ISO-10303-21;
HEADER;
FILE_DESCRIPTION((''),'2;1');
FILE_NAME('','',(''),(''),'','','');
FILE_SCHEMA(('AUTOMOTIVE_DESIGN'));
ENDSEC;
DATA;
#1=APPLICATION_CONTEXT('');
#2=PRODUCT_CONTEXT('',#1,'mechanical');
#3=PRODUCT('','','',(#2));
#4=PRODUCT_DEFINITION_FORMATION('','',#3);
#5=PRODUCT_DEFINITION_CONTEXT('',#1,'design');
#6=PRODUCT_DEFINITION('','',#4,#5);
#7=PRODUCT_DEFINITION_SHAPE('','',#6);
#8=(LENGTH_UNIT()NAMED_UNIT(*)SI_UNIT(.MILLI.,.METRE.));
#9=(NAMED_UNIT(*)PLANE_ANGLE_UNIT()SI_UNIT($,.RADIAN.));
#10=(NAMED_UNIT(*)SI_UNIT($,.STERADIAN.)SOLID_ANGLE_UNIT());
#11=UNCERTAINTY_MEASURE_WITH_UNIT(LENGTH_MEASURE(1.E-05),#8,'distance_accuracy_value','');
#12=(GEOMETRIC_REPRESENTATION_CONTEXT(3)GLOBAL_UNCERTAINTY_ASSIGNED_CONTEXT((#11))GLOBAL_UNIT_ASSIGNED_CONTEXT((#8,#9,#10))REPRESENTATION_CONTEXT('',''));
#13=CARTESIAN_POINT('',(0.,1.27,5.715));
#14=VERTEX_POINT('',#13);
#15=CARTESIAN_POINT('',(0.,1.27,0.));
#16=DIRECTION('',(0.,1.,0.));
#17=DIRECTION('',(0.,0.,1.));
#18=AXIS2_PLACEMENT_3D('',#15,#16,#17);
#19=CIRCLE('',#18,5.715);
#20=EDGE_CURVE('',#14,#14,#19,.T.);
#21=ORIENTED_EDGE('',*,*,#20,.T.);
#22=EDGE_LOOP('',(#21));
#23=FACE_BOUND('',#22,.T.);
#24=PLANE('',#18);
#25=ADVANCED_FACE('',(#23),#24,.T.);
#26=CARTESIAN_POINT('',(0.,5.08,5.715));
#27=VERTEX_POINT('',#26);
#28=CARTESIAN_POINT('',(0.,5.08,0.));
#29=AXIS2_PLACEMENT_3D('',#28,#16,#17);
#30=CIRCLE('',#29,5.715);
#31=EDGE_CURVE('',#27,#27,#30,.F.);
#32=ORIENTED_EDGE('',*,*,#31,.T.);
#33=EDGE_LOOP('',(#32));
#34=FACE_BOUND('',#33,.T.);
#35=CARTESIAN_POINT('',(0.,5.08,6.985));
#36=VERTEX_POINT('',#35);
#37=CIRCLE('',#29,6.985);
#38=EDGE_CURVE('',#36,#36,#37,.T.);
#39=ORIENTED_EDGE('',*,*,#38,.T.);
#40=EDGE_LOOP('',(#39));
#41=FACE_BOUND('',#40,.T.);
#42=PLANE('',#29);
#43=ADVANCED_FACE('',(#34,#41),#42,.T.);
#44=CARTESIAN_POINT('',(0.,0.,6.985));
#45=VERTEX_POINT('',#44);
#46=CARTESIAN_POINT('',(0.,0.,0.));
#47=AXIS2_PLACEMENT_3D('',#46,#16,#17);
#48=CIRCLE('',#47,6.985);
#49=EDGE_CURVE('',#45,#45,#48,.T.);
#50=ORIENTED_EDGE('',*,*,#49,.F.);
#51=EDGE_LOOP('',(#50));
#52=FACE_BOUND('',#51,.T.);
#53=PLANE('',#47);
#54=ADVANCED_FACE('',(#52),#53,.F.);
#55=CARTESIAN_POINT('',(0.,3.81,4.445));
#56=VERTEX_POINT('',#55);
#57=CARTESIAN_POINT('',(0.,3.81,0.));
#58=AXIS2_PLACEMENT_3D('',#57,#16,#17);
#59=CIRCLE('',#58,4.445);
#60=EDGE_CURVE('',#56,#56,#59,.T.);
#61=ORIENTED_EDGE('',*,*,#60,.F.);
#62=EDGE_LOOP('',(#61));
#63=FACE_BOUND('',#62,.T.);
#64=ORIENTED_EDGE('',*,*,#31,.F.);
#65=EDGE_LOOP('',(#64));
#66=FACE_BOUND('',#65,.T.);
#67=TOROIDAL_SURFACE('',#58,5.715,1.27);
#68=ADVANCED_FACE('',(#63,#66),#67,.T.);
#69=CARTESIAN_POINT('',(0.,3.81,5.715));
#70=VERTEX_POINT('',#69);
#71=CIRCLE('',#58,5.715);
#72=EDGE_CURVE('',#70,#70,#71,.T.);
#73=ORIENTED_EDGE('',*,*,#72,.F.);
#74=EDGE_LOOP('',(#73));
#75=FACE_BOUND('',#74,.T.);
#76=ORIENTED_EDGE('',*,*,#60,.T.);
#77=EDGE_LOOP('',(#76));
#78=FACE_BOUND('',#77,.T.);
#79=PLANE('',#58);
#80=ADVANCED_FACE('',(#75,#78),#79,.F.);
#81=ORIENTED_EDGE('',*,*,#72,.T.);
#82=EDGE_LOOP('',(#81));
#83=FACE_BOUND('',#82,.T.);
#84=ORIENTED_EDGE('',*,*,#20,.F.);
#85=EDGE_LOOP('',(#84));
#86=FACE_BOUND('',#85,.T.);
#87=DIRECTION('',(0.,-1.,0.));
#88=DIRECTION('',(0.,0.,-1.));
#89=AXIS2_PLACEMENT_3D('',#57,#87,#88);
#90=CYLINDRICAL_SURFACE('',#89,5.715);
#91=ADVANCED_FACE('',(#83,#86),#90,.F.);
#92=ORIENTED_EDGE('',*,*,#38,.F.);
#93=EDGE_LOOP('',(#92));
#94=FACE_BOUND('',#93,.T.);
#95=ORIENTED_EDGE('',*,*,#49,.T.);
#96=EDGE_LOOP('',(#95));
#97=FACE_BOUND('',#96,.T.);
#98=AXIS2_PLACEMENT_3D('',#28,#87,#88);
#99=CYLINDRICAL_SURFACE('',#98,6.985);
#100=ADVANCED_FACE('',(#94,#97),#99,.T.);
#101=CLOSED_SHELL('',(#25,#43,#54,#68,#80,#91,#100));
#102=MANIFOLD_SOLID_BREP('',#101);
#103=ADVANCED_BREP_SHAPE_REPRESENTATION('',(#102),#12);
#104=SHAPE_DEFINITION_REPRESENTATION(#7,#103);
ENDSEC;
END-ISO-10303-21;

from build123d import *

# Parameters (mm, degrees)
SKETCH1_R           = 6.985
BOSS_EXTRUDE1_DEPTH = 5.08
SKETCH3_R           = 5.08
CUT_EXTRUDE1_DEPTH  = 3.81
SKETCH4_R           = 5.08
SKETCH4_R_2         = 4.445
BOSS_EXTRUDE4_DEPTH = 3.81
FILLET2_R           = 1.27
CUT_EXTRUDE2_START  = 2.54
SKETCH5_R           = 5.715
SKETCH5_R_2         = 4.445
CUT_EXTRUDE2_DEPTH  = 2.54


with BuildPart() as part:
    # Sketch1 → Boss-Extrude1 (new body)
    with BuildSketch(Plane(origin=(0, 0, 0), x_dir=(1, 0, 0), z_dir=(0, 1, 0))):
        with Locations(Location((0, 0, 0), (0, 0, 270))):
            Circle(SKETCH1_R)
    extrude(amount=BOSS_EXTRUDE1_DEPTH)

    # Sketch3 → Cut-Extrude1 (cut)
    with BuildSketch(Plane(origin=(0, 5.08, 0), x_dir=(1, 0, 0), z_dir=(0, 1, 0))):
        with Locations(Location((0, 0, 0), (0, 0, 270))):
            Circle(SKETCH3_R)
    extrude(amount=-CUT_EXTRUDE1_DEPTH, mode=Mode.SUBTRACT)

    # Sketch4 → Boss-Extrude4 (add)
    with BuildSketch(Plane(origin=(0, 5.08, 0), x_dir=(1, 0, 0), z_dir=(0, 1, 0))):
        Circle(SKETCH4_R)
        with Locations(Location((0, 0, 0), (0, 0, 270))):
            Circle(SKETCH4_R_2, mode=Mode.SUBTRACT)
    extrude(amount=-BOSS_EXTRUDE4_DEPTH)

    # Fillet2
    fillet2_edges = [part.edges().sort_by_distance(p)[0] for p in [
        (0, 5.08, -4.445),
    ]]
    fillet(fillet2_edges, radius=FILLET2_R)

    # Sketch5 → Cut-Extrude2 (cut)
    with BuildSketch(Plane(origin=(0, 1.27, 0), x_dir=(1, 0, 0), z_dir=(0, 1, 0)).offset(CUT_EXTRUDE2_START)):
        with Locations(Location((0, 0, 0), (0, 0, 270))):
            Circle(SKETCH5_R)
        Circle(SKETCH5_R_2, mode=Mode.SUBTRACT)
    extrude(amount=-CUT_EXTRUDE2_DEPTH, mode=Mode.SUBTRACT)


solid = part.part
